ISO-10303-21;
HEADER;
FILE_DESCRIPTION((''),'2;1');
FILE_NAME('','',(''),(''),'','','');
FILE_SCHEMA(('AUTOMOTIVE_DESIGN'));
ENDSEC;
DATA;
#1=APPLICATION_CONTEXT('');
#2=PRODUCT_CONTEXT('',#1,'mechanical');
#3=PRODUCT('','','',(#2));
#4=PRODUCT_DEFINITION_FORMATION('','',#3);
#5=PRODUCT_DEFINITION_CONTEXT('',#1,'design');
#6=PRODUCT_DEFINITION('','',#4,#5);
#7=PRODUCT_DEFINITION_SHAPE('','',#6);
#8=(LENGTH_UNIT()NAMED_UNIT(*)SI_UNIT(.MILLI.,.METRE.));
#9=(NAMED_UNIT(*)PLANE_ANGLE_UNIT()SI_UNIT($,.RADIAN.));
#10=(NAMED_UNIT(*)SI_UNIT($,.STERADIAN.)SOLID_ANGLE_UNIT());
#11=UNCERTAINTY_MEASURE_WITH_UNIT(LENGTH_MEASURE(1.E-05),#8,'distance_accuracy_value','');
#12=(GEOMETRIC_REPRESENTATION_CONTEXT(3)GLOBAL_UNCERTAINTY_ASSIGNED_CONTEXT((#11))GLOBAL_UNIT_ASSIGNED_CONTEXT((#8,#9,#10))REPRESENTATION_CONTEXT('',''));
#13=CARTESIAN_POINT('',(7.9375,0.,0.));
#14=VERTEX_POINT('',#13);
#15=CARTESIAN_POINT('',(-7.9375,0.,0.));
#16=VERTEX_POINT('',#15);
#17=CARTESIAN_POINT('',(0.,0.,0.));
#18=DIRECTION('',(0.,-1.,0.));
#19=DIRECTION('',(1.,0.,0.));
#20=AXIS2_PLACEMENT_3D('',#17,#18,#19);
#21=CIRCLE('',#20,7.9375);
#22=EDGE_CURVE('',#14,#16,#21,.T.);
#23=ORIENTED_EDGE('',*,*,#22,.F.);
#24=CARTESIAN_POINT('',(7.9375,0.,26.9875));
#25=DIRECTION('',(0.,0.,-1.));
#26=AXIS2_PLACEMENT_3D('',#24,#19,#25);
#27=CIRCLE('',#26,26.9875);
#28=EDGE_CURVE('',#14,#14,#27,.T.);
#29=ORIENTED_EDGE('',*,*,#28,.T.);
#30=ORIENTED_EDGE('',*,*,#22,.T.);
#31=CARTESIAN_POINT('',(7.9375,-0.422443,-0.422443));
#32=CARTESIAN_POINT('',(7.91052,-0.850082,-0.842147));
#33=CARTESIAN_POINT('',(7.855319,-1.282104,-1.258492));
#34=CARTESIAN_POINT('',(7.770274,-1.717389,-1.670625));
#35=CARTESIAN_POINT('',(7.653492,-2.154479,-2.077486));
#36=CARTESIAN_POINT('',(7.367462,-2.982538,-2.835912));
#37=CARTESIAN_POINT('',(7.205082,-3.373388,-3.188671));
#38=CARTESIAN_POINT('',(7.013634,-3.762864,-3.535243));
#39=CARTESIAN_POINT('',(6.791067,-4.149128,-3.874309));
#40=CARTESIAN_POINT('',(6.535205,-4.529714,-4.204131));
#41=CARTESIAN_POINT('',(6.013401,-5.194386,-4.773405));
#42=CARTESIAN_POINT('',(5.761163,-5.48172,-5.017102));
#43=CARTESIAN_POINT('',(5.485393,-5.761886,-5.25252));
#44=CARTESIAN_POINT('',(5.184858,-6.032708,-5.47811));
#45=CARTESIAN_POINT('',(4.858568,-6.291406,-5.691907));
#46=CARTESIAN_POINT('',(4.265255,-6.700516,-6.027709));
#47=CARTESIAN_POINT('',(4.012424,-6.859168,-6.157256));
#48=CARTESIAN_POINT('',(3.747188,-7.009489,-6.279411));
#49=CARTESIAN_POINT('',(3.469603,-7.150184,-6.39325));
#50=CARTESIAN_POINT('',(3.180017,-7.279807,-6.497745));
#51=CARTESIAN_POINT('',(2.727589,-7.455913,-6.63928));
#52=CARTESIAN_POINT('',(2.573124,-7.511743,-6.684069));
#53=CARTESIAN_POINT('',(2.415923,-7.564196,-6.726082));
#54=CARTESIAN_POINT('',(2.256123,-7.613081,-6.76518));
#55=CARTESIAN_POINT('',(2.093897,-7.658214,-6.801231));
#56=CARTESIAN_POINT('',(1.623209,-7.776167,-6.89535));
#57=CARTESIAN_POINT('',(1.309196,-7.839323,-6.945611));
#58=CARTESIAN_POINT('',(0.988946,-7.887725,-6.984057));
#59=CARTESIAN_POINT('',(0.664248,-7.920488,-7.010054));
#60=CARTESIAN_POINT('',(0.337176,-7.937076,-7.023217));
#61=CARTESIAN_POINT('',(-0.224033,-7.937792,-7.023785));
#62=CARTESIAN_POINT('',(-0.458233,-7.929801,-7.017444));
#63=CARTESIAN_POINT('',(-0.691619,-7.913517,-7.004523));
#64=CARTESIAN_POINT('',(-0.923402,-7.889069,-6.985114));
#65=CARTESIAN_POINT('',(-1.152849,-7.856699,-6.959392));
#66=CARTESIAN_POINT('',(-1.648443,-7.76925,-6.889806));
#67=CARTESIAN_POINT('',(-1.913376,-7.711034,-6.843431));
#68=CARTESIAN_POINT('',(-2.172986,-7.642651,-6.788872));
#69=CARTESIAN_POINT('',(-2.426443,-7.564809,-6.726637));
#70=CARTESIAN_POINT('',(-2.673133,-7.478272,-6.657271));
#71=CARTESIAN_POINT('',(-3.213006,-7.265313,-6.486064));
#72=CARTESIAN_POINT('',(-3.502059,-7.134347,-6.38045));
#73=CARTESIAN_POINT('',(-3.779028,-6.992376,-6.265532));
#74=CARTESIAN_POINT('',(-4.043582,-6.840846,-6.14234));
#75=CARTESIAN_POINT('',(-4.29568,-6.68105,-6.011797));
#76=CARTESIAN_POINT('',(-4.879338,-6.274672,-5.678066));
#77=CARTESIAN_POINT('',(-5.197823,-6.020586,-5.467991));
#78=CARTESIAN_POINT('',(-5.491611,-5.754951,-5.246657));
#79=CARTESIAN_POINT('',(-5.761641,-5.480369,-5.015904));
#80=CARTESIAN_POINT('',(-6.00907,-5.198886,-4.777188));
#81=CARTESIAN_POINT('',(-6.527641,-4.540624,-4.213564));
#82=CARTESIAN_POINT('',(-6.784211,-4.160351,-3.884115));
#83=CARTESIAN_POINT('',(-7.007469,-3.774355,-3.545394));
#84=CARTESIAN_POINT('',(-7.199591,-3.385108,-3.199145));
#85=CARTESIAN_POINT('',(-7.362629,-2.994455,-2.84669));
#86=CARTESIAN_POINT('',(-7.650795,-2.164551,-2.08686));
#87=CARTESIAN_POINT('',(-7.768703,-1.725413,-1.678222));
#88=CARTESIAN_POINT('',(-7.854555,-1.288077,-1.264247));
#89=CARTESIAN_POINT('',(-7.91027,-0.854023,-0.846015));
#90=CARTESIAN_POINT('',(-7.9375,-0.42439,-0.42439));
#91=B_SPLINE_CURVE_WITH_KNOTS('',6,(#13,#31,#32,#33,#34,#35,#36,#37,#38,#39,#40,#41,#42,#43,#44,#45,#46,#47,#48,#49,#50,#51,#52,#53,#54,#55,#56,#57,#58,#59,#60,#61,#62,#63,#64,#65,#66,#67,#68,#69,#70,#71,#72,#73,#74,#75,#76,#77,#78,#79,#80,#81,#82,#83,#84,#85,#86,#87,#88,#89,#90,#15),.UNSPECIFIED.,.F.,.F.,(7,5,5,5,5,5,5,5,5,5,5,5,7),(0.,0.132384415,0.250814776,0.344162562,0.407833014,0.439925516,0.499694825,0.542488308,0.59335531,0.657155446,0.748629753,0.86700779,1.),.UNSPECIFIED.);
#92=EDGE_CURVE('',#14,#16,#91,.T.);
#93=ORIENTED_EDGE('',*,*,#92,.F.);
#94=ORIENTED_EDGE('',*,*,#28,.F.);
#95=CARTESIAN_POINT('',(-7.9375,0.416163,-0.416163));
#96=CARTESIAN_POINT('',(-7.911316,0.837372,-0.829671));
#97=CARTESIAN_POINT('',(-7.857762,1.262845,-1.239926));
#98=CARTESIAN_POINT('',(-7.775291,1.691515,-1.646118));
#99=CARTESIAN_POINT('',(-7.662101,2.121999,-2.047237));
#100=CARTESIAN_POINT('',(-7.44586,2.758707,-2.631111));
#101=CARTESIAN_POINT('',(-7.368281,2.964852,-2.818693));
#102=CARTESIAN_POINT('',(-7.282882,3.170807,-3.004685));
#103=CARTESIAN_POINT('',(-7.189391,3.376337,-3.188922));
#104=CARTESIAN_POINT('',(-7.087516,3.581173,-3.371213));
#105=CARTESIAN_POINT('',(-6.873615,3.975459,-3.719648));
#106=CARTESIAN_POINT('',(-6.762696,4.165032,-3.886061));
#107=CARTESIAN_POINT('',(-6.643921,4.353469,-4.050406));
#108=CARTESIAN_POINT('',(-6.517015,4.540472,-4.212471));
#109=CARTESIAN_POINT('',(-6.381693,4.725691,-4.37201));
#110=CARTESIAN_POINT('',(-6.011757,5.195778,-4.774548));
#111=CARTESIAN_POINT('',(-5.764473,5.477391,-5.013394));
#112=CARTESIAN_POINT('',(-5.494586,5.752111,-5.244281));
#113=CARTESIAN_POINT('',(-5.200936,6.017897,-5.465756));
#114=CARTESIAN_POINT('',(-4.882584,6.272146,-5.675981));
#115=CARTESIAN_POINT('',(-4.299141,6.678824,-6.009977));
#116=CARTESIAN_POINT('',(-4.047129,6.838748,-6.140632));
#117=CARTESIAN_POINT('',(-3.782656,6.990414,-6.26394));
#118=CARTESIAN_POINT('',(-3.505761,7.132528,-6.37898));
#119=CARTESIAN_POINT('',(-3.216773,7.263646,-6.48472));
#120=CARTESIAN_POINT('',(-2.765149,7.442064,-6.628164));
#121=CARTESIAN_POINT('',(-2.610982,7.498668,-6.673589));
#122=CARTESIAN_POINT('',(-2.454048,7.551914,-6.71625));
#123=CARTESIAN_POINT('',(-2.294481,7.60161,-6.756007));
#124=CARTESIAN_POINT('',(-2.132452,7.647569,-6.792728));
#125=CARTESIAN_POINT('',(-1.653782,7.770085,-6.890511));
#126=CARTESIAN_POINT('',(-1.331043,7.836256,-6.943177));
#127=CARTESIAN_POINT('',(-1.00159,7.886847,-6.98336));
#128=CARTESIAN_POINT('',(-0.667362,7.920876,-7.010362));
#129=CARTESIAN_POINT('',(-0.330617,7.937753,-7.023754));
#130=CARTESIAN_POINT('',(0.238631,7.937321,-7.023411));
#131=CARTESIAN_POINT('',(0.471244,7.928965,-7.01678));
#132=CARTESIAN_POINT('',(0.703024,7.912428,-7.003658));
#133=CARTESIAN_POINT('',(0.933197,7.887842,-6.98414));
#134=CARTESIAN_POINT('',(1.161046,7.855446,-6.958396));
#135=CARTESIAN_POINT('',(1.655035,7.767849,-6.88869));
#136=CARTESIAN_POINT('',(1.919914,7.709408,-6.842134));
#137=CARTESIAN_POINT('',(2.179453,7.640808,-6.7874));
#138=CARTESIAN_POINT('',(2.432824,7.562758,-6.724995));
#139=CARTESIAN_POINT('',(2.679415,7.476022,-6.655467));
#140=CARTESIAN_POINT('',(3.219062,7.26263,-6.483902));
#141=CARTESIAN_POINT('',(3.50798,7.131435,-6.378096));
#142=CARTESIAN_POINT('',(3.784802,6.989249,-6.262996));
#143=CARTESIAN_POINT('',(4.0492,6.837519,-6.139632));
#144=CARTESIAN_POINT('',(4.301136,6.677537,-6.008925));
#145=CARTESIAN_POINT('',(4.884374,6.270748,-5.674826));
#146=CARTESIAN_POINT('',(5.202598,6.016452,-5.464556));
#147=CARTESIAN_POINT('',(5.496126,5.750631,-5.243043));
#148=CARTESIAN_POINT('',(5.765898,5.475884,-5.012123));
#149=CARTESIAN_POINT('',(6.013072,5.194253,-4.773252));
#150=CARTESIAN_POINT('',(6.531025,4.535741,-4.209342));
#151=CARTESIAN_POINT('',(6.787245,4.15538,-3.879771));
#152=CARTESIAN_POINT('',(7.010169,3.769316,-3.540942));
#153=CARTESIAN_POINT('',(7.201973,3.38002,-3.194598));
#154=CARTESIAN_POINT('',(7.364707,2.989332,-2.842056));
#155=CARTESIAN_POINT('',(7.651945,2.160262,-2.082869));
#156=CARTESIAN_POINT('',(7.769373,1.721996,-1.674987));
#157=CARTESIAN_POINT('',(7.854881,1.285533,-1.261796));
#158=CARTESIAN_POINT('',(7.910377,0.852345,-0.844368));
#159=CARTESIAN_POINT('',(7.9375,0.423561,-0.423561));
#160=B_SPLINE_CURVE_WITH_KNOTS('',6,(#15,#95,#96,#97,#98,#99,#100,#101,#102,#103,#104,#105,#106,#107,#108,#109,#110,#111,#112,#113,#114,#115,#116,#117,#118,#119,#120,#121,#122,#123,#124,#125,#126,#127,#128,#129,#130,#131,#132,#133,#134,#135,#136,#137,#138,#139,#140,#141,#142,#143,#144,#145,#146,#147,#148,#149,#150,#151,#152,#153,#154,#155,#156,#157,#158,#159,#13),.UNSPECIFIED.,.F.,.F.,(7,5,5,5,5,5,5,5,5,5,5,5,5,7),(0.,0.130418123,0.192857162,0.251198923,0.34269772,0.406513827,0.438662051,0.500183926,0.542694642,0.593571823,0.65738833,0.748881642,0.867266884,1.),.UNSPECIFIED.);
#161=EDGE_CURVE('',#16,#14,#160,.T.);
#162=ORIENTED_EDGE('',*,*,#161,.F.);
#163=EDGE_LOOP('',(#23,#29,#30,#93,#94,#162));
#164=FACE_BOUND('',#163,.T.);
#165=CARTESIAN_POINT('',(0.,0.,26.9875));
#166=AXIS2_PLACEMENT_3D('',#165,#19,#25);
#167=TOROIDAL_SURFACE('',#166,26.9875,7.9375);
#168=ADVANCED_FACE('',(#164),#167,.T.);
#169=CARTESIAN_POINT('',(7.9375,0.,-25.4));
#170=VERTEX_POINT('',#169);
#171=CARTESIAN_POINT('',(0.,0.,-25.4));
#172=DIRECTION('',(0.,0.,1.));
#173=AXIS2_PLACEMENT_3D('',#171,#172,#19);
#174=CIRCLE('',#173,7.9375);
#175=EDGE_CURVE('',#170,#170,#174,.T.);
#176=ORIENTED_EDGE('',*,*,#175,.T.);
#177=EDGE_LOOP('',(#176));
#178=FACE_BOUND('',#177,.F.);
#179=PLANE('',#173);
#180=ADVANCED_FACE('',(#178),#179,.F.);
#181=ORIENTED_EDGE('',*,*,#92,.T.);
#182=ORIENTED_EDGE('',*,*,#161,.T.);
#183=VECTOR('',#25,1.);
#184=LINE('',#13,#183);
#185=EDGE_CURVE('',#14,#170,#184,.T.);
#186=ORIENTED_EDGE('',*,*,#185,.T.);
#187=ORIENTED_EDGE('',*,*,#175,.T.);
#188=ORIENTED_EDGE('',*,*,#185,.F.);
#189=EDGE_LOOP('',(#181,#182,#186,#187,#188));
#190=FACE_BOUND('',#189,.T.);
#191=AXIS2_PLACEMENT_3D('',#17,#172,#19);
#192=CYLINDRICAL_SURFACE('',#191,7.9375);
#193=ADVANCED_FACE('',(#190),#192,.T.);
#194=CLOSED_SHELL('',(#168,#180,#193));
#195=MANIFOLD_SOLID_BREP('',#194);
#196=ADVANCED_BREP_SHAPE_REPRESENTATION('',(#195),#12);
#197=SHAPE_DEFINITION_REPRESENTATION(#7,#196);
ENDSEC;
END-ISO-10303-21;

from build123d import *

# Parameters (mm, degrees)
F0_R     = 7.9375
F2_R     = 7.9375
F3_DEPTH = 25.4


with BuildPart() as f1:
    # F0 (on Front) → F1 (revolve)
    with BuildSketch(Plane.XZ):
        Circle(F0_R)
    revolve(axis=Axis((0.060984, 0, 26.9875), (1, 0, 0)))

    # F2 (on Top) → F3 (join)
    with BuildSketch(Plane.XY):
        Circle(F2_R)
    extrude(amount=-F3_DEPTH)


solid = f1.part
